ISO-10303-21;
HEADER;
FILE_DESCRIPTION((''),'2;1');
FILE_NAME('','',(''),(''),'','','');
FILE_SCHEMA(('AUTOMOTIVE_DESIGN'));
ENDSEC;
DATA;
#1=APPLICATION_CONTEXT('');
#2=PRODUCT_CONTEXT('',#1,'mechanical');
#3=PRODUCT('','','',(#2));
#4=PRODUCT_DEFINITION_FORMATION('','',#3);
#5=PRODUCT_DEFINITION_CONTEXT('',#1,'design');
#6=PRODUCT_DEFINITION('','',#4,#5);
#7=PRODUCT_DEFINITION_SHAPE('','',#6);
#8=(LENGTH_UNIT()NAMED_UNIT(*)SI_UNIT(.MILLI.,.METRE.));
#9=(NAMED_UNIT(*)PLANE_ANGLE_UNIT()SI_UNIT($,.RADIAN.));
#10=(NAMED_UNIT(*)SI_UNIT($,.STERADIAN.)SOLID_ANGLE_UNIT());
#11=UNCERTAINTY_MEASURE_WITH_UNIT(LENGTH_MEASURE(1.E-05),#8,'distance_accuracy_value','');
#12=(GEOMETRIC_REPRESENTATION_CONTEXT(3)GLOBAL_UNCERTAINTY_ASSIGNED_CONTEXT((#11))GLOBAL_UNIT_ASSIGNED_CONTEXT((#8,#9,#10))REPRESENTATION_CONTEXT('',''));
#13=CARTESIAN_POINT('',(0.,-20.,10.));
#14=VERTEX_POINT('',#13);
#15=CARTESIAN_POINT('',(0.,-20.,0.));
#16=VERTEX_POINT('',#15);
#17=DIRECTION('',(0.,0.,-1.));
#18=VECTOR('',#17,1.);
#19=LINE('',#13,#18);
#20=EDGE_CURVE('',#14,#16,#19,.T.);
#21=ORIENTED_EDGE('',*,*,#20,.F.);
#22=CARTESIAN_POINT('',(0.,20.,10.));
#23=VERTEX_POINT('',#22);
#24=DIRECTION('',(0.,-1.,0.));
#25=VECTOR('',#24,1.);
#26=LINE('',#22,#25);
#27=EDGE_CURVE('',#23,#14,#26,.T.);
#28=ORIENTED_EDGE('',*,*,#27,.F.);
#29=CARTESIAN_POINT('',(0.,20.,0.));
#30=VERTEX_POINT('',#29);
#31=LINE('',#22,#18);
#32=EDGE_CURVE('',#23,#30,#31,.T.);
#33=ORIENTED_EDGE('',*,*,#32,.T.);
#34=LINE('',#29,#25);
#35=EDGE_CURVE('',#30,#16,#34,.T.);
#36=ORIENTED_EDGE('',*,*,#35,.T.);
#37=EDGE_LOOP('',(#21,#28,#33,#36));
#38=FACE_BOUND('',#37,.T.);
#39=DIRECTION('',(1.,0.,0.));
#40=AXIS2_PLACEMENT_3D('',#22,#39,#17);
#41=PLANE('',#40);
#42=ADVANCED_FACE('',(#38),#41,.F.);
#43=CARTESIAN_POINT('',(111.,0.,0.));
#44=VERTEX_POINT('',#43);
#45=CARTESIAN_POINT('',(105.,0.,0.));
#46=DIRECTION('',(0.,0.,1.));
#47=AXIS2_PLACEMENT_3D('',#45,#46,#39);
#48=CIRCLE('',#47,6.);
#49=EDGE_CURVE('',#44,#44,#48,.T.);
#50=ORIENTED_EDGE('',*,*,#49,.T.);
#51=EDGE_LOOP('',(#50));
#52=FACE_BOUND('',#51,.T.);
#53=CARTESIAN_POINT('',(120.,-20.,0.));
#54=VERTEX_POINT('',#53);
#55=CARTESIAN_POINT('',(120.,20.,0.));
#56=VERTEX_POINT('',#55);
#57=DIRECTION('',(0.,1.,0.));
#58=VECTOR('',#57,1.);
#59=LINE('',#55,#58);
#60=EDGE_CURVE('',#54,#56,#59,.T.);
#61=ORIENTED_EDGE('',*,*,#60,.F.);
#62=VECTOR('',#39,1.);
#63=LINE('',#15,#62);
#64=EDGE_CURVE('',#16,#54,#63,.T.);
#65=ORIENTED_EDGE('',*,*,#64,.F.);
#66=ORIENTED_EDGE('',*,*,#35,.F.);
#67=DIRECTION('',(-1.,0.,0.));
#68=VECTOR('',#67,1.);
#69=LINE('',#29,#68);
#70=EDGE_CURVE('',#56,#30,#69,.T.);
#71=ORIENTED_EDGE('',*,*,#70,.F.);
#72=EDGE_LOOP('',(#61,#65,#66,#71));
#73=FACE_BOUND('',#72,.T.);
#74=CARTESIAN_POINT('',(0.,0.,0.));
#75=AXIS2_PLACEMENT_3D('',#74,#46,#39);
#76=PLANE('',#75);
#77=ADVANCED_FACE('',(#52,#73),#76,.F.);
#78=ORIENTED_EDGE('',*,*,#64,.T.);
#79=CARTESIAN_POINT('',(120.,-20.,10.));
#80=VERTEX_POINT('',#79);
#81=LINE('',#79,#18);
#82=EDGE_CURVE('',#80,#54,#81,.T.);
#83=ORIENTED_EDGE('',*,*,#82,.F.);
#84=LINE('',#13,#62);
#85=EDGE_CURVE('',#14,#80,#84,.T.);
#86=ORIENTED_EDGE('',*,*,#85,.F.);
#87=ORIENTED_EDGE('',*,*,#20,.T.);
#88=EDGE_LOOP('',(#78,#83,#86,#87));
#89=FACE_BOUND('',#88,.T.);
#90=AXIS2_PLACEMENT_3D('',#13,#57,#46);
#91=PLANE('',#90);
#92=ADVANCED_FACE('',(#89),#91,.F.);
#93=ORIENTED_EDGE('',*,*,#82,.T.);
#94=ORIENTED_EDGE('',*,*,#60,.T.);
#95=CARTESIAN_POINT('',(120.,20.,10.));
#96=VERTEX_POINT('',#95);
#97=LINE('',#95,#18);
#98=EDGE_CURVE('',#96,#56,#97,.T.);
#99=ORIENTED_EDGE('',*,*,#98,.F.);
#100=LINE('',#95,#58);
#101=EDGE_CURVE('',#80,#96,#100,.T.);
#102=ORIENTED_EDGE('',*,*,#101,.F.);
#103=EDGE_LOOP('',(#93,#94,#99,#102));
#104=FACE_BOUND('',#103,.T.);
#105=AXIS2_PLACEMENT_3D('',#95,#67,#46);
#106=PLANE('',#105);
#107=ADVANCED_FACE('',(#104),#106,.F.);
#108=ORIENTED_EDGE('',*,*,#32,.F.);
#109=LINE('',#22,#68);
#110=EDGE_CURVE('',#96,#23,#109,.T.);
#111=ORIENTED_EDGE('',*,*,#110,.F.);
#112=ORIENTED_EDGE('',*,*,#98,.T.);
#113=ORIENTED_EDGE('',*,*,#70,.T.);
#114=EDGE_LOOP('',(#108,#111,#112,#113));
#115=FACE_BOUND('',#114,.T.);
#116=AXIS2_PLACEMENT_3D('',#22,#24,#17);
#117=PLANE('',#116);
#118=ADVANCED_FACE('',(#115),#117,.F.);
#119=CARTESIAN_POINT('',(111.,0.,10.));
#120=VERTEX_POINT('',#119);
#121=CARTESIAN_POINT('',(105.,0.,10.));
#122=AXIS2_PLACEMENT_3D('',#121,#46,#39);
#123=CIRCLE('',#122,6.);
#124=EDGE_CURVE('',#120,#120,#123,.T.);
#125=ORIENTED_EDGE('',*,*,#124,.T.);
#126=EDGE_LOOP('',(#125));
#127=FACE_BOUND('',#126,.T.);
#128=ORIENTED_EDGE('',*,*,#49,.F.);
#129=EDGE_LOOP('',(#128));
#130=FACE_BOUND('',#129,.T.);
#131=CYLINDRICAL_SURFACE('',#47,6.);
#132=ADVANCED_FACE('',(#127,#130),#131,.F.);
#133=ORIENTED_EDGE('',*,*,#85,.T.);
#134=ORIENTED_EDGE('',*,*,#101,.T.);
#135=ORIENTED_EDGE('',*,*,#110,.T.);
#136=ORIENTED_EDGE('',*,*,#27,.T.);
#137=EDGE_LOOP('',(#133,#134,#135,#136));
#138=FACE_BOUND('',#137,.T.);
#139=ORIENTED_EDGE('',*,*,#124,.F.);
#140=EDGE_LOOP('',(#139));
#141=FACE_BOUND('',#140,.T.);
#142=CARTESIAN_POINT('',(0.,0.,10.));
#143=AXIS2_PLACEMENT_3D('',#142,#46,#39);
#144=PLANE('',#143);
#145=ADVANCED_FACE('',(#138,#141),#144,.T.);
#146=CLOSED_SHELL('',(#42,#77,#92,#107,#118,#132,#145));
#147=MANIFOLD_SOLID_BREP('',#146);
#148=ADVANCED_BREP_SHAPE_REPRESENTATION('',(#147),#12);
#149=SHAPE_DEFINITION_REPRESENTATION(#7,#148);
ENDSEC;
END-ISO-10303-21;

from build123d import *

# Parameters (mm, degrees)
SKETCH_2_W          = 120
SKETCH_2_H          = 40
EXTRUDE_1_DEPTH     = 10
SKETCH_3_R          = 6
CUT_EXTRUDE_1_DEPTH = 123.065556157


with BuildPart() as part:
    # 草图2 → 凸台-拉伸1 (new body)
    with BuildSketch(Plane.XY):
        with Locations((60, 0)):
            Rectangle(SKETCH_2_W, SKETCH_2_H)
    extrude(amount=EXTRUDE_1_DEPTH)

    # 草图3 → 切除-拉伸1 (cut, through all)
    with BuildSketch(Plane.XY.offset(10)):
        with Locations((105, 0)):
            Circle(SKETCH_3_R)
    extrude(amount=-CUT_EXTRUDE_1_DEPTH, mode=Mode.SUBTRACT)


solid = part.part
